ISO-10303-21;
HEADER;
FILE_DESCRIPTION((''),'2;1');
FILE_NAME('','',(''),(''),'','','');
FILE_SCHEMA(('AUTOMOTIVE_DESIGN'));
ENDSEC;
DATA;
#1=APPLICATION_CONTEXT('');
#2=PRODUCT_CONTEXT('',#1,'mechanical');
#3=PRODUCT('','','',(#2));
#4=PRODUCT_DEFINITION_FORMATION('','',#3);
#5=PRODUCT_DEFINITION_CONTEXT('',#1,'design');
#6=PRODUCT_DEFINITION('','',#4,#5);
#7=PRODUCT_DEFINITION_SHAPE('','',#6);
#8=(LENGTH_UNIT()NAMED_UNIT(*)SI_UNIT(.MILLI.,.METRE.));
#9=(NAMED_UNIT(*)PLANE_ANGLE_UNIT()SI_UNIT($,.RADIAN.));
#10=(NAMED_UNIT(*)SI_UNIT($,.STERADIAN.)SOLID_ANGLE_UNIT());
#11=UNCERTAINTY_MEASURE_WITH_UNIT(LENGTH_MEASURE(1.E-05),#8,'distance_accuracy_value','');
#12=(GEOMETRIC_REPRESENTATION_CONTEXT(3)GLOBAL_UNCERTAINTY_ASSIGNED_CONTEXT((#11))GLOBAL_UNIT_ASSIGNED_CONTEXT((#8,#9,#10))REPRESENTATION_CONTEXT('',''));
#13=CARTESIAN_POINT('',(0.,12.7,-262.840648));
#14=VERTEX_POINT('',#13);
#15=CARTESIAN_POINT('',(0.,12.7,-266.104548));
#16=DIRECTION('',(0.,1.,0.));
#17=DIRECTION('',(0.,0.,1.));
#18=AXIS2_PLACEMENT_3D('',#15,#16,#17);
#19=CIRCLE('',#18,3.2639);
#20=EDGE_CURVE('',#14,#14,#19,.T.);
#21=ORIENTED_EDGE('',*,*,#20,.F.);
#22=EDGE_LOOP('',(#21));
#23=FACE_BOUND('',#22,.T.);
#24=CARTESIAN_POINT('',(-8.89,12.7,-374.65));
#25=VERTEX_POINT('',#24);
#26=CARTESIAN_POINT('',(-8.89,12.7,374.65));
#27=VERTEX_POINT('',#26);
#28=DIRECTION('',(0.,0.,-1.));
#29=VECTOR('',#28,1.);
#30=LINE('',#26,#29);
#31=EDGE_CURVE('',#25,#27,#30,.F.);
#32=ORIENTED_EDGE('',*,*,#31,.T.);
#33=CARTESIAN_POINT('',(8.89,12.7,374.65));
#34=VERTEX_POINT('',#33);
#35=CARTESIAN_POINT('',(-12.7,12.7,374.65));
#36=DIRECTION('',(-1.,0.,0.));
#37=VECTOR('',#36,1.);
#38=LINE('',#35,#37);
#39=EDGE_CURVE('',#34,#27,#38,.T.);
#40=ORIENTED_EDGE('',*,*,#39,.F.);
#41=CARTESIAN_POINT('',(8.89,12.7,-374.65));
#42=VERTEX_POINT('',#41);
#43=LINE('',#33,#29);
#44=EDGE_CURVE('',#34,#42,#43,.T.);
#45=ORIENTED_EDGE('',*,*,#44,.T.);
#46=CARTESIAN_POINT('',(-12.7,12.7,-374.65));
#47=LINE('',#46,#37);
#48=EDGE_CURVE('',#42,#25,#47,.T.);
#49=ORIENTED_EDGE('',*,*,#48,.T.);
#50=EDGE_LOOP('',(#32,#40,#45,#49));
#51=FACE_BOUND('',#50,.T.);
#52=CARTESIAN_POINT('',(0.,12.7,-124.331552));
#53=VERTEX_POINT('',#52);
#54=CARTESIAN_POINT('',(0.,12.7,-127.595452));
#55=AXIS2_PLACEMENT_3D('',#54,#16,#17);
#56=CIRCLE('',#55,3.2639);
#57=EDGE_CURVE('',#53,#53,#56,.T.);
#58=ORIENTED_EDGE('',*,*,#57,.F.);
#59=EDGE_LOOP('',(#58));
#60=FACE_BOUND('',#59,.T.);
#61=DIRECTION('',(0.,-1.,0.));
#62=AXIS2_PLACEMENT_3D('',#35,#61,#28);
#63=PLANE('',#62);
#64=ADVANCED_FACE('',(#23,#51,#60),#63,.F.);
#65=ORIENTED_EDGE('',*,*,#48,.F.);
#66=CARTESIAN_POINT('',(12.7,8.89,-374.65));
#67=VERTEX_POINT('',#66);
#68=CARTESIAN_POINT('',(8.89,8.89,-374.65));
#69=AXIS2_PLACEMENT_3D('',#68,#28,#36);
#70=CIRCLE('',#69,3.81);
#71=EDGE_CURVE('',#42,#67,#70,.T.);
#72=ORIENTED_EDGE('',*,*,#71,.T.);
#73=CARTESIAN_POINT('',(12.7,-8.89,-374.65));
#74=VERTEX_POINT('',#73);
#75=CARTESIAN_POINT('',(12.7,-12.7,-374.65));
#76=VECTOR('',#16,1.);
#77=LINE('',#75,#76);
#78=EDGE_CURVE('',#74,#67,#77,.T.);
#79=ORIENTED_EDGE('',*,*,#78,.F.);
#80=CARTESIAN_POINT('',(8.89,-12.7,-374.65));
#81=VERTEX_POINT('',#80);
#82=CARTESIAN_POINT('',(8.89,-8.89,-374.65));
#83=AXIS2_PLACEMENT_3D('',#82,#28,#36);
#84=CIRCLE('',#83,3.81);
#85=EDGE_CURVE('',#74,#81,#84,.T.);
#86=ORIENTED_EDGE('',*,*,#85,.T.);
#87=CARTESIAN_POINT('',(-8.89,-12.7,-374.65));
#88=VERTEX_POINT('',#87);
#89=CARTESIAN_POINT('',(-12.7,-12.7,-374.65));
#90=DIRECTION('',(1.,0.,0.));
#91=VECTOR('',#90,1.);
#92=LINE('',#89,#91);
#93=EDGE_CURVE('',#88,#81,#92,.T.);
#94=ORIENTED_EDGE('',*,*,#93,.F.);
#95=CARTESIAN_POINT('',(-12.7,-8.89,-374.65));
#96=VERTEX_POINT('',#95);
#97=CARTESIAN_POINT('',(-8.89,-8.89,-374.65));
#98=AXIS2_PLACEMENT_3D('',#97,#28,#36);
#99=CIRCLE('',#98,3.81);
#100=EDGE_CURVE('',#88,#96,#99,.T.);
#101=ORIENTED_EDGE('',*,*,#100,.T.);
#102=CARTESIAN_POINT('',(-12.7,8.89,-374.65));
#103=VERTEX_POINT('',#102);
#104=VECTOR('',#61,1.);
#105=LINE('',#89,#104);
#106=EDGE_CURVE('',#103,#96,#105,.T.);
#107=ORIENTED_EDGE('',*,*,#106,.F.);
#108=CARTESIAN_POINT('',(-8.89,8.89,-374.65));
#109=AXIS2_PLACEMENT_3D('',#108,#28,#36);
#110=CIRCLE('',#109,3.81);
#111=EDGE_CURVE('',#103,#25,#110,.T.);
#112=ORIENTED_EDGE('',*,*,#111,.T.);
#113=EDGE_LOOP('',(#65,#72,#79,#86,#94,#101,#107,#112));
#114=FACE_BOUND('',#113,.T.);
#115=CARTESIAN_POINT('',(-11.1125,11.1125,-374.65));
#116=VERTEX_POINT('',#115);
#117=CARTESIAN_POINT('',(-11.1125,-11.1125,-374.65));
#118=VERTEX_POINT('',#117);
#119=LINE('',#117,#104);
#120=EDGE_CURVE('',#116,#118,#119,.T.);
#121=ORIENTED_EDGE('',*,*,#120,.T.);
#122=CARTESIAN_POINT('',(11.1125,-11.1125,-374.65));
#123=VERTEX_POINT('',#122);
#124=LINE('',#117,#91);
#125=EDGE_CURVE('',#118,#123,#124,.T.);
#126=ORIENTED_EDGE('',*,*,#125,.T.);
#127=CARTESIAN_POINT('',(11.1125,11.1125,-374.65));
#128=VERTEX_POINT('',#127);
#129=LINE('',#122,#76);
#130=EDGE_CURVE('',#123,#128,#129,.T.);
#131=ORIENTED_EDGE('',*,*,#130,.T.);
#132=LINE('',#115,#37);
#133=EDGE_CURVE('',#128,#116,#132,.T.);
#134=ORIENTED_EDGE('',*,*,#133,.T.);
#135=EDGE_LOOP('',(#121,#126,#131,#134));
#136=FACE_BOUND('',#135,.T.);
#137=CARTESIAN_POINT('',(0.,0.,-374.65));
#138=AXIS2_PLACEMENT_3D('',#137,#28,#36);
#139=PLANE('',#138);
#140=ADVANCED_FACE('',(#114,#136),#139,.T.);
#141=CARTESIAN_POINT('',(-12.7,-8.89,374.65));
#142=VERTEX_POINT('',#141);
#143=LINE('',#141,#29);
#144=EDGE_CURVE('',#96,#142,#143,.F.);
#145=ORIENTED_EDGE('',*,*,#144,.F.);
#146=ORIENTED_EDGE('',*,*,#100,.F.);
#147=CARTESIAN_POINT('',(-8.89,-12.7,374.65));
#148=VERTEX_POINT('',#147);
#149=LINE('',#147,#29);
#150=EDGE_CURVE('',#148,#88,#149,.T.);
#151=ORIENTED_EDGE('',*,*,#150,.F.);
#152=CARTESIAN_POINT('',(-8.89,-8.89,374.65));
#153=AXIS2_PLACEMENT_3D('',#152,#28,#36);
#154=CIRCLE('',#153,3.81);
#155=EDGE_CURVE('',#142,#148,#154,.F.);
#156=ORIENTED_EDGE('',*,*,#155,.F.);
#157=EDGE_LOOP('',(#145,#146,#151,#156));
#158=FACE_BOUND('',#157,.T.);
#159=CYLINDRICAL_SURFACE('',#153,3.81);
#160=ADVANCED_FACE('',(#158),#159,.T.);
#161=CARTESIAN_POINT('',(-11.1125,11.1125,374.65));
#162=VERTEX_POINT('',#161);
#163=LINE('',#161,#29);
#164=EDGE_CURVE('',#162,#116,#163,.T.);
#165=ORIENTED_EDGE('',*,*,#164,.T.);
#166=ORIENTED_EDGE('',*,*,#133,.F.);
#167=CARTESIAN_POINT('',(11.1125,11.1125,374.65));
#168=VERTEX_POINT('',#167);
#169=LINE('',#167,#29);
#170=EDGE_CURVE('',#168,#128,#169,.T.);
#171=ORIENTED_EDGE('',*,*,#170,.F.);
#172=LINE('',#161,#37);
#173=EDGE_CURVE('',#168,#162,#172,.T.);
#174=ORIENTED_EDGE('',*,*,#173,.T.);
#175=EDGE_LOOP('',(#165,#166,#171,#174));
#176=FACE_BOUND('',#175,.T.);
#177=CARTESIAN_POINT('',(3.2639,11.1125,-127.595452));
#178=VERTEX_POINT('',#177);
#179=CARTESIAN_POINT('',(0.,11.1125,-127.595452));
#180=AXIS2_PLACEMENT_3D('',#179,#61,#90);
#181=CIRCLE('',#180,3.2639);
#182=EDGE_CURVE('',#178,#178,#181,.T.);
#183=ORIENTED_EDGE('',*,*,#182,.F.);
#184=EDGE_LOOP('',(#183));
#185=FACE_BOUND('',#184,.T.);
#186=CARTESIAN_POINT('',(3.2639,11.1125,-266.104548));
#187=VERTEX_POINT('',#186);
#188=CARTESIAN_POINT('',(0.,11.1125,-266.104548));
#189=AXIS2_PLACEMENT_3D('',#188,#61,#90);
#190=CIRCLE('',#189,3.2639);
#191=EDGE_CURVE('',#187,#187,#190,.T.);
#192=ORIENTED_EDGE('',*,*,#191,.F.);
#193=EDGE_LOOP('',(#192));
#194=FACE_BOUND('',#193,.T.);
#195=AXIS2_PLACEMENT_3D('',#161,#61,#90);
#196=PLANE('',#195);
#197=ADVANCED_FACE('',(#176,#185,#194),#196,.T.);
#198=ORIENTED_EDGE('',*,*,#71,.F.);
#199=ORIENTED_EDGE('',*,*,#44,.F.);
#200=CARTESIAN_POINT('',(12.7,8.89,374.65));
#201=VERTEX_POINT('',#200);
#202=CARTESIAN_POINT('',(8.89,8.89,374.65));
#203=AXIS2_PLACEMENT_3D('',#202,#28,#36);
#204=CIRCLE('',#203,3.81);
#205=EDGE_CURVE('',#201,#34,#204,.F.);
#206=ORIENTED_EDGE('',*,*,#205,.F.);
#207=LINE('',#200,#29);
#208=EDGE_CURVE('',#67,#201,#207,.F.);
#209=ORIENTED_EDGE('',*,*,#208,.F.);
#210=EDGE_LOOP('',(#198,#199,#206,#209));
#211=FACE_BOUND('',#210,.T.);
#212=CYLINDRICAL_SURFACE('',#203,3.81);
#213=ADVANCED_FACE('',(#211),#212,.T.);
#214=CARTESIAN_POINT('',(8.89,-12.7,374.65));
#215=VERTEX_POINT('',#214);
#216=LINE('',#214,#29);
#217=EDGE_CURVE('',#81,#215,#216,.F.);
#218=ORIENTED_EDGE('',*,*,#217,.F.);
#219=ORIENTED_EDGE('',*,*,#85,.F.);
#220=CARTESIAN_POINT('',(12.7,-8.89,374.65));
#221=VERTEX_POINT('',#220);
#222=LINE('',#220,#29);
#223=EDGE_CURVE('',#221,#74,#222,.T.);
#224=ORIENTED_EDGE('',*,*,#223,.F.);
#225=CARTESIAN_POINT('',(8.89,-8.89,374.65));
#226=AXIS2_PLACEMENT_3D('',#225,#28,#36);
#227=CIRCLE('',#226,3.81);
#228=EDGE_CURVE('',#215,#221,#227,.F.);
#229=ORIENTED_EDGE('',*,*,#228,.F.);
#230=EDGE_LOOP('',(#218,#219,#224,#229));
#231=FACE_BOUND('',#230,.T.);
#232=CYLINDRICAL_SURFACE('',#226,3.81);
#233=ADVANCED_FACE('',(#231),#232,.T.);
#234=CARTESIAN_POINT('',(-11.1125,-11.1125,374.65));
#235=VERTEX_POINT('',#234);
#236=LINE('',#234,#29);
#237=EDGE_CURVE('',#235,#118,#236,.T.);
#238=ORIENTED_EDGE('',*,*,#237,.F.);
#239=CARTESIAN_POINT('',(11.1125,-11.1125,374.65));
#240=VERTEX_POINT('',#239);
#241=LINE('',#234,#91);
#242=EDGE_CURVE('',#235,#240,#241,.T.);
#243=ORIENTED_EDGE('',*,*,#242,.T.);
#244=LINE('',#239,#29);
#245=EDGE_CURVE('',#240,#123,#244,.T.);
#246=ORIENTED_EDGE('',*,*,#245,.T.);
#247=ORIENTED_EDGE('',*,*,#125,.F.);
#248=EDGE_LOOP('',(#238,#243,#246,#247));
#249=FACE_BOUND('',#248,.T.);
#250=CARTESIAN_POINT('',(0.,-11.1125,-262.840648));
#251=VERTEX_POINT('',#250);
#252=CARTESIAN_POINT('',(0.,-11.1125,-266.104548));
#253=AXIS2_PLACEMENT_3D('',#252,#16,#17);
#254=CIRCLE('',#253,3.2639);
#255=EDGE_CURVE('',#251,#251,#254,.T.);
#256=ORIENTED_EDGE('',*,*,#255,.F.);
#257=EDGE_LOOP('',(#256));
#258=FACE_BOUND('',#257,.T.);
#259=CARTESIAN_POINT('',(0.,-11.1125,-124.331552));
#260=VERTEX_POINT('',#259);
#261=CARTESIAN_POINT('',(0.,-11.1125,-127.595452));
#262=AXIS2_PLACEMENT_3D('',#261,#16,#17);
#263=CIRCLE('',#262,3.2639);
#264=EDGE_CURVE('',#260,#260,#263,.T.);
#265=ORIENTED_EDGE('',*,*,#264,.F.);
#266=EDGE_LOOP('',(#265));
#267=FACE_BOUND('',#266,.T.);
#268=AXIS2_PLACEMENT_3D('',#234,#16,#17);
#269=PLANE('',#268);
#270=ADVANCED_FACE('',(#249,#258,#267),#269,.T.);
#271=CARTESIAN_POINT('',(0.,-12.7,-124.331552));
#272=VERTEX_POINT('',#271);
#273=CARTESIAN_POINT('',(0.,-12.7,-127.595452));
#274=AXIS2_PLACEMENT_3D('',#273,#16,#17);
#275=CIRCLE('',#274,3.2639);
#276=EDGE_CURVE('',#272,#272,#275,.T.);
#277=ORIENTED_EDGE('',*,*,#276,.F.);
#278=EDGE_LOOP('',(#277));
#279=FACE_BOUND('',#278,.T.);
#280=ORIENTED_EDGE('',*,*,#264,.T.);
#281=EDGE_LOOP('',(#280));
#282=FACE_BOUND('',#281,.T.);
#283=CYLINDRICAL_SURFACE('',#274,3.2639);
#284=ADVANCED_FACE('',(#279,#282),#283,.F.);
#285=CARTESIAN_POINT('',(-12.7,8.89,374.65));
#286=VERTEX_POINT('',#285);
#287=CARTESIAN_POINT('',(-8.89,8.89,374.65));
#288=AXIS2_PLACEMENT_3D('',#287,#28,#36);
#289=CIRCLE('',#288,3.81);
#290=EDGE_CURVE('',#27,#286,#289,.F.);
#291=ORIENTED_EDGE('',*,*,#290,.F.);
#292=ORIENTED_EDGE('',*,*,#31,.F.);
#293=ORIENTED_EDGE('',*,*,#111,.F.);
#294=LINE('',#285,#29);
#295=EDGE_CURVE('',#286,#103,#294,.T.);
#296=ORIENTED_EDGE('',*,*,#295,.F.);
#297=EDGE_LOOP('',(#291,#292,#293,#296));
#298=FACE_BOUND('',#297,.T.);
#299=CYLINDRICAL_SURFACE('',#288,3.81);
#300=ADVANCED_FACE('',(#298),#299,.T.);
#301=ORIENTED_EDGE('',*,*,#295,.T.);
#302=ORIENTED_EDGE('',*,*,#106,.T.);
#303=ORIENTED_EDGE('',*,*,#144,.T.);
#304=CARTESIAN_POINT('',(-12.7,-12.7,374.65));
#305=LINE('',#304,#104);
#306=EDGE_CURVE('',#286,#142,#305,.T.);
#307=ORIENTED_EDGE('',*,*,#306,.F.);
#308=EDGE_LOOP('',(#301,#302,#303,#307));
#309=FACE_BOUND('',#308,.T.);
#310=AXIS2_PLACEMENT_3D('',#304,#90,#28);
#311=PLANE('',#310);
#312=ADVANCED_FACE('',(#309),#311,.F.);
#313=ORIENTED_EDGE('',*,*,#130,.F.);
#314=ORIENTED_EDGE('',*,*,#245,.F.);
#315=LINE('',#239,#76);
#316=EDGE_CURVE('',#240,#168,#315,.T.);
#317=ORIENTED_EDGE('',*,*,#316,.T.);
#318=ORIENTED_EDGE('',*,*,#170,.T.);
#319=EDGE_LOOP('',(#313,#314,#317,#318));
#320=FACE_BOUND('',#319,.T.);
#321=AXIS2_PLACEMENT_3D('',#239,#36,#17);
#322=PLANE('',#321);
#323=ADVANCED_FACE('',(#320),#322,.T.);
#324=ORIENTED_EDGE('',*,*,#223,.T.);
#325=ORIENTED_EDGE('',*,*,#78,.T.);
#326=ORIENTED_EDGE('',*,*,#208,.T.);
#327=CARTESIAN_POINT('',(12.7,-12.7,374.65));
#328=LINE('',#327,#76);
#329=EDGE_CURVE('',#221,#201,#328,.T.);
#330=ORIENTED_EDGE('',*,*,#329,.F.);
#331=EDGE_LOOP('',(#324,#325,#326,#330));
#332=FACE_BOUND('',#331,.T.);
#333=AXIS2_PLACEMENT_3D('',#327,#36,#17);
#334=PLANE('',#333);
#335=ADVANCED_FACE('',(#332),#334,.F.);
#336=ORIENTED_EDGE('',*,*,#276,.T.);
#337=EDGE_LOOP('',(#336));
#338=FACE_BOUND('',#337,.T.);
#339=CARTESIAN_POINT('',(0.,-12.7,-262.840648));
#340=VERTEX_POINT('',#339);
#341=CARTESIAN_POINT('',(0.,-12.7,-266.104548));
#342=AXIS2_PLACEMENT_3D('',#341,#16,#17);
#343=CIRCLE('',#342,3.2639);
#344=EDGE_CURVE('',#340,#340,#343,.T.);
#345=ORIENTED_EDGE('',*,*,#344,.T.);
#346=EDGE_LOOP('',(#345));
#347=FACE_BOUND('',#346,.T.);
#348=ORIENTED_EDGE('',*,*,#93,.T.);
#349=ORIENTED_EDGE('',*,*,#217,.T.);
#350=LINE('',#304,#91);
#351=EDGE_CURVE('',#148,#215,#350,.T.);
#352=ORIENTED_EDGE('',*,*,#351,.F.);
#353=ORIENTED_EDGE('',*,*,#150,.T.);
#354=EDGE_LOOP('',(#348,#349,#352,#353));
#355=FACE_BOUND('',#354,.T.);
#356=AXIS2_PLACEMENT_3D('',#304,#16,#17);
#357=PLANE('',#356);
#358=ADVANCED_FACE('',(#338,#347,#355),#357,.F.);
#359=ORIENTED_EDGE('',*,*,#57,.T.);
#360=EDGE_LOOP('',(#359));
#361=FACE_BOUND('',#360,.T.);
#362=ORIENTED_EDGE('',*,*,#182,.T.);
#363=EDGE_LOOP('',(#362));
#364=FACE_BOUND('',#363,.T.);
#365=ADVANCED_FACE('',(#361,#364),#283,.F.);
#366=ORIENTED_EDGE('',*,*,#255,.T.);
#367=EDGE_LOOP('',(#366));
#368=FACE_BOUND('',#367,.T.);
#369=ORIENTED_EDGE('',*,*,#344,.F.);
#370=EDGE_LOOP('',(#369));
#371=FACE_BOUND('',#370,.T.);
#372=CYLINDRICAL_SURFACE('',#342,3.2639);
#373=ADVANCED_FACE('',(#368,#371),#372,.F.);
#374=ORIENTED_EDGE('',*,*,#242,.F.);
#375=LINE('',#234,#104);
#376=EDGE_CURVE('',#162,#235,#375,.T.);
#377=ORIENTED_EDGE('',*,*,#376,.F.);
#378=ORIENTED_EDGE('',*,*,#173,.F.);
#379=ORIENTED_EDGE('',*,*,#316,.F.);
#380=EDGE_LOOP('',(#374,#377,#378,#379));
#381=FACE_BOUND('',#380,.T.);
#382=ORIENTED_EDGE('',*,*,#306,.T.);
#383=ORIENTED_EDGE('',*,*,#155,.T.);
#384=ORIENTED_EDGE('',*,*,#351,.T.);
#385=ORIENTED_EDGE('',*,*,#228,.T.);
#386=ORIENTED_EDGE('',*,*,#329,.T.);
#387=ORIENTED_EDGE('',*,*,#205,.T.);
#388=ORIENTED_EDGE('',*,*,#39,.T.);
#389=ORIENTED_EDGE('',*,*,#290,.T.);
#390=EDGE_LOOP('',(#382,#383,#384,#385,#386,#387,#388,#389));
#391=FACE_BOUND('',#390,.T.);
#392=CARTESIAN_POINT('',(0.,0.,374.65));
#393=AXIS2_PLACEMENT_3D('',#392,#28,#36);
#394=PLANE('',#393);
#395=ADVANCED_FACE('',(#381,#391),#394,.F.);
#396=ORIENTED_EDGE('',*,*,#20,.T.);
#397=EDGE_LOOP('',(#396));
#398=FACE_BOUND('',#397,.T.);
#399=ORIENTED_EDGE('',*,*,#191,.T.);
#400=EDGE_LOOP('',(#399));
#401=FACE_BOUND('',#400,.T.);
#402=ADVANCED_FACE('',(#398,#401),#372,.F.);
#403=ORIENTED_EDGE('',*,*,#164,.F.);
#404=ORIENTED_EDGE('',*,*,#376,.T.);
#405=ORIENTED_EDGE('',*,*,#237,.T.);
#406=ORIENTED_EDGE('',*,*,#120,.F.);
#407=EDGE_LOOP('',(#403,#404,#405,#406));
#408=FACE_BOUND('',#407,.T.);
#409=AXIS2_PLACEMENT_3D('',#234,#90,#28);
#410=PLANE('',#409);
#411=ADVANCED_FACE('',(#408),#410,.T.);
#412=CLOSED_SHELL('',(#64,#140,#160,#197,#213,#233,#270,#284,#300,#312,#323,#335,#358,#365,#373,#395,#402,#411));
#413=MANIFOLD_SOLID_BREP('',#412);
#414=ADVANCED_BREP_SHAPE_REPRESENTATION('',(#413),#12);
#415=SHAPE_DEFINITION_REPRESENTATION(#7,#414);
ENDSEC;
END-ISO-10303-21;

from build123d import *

# Parameters (mm, degrees)
SKETCH4_W               = 25.4
SKETCH4_H               = 25.4
SKETCH4_W_2             = 22.225
SKETCH4_H_2             = 22.225
BOSS_EXTRUDE2_DEPTH     = 374.65
FILLET1_R               = 3.81
SKETCH5_R               = 3.2639
CUT_EXTRUDE1_DEPTH      = 1
CUT_EXTRUDE1_DEPTH_BACK = 26.4


with BuildPart() as part:
    # Sketch4 → Boss-Extrude2 (new body, symmetric)
    with BuildSketch(Plane.XY):
        Rectangle(SKETCH4_W, SKETCH4_H)
        Rectangle(SKETCH4_W_2, SKETCH4_H_2, mode=Mode.SUBTRACT)
    extrude(amount=BOSS_EXTRUDE2_DEPTH, both=True)

    # Fillet1
    fillet1_edges = [part.edges().sort_by_distance(p)[0] for p in [
        (12.7, -12.7, 0),
        (-12.7, -12.7, 0),
        (-12.7, 12.7, 0),
        (12.7, 12.7, 0),
    ]]
    fillet(fillet1_edges, radius=FILLET1_R)

    # Sketch5 → Cut-Extrude1 (cut, two sides)
    with BuildSketch(Plane(origin=(0, 12.7, 0), x_dir=(1, 0, 0), z_dir=(0, 1, 0))) as cut_extrude1_sk:
        with Locations((0, 127.59545203)):
            Circle(SKETCH5_R)
        with Locations((0, 266.10454797)):
            Circle(SKETCH5_R)
    extrude(amount=CUT_EXTRUDE1_DEPTH, mode=Mode.SUBTRACT)
    extrude(cut_extrude1_sk.sketch, amount=-CUT_EXTRUDE1_DEPTH_BACK, mode=Mode.SUBTRACT)


solid = part.part
